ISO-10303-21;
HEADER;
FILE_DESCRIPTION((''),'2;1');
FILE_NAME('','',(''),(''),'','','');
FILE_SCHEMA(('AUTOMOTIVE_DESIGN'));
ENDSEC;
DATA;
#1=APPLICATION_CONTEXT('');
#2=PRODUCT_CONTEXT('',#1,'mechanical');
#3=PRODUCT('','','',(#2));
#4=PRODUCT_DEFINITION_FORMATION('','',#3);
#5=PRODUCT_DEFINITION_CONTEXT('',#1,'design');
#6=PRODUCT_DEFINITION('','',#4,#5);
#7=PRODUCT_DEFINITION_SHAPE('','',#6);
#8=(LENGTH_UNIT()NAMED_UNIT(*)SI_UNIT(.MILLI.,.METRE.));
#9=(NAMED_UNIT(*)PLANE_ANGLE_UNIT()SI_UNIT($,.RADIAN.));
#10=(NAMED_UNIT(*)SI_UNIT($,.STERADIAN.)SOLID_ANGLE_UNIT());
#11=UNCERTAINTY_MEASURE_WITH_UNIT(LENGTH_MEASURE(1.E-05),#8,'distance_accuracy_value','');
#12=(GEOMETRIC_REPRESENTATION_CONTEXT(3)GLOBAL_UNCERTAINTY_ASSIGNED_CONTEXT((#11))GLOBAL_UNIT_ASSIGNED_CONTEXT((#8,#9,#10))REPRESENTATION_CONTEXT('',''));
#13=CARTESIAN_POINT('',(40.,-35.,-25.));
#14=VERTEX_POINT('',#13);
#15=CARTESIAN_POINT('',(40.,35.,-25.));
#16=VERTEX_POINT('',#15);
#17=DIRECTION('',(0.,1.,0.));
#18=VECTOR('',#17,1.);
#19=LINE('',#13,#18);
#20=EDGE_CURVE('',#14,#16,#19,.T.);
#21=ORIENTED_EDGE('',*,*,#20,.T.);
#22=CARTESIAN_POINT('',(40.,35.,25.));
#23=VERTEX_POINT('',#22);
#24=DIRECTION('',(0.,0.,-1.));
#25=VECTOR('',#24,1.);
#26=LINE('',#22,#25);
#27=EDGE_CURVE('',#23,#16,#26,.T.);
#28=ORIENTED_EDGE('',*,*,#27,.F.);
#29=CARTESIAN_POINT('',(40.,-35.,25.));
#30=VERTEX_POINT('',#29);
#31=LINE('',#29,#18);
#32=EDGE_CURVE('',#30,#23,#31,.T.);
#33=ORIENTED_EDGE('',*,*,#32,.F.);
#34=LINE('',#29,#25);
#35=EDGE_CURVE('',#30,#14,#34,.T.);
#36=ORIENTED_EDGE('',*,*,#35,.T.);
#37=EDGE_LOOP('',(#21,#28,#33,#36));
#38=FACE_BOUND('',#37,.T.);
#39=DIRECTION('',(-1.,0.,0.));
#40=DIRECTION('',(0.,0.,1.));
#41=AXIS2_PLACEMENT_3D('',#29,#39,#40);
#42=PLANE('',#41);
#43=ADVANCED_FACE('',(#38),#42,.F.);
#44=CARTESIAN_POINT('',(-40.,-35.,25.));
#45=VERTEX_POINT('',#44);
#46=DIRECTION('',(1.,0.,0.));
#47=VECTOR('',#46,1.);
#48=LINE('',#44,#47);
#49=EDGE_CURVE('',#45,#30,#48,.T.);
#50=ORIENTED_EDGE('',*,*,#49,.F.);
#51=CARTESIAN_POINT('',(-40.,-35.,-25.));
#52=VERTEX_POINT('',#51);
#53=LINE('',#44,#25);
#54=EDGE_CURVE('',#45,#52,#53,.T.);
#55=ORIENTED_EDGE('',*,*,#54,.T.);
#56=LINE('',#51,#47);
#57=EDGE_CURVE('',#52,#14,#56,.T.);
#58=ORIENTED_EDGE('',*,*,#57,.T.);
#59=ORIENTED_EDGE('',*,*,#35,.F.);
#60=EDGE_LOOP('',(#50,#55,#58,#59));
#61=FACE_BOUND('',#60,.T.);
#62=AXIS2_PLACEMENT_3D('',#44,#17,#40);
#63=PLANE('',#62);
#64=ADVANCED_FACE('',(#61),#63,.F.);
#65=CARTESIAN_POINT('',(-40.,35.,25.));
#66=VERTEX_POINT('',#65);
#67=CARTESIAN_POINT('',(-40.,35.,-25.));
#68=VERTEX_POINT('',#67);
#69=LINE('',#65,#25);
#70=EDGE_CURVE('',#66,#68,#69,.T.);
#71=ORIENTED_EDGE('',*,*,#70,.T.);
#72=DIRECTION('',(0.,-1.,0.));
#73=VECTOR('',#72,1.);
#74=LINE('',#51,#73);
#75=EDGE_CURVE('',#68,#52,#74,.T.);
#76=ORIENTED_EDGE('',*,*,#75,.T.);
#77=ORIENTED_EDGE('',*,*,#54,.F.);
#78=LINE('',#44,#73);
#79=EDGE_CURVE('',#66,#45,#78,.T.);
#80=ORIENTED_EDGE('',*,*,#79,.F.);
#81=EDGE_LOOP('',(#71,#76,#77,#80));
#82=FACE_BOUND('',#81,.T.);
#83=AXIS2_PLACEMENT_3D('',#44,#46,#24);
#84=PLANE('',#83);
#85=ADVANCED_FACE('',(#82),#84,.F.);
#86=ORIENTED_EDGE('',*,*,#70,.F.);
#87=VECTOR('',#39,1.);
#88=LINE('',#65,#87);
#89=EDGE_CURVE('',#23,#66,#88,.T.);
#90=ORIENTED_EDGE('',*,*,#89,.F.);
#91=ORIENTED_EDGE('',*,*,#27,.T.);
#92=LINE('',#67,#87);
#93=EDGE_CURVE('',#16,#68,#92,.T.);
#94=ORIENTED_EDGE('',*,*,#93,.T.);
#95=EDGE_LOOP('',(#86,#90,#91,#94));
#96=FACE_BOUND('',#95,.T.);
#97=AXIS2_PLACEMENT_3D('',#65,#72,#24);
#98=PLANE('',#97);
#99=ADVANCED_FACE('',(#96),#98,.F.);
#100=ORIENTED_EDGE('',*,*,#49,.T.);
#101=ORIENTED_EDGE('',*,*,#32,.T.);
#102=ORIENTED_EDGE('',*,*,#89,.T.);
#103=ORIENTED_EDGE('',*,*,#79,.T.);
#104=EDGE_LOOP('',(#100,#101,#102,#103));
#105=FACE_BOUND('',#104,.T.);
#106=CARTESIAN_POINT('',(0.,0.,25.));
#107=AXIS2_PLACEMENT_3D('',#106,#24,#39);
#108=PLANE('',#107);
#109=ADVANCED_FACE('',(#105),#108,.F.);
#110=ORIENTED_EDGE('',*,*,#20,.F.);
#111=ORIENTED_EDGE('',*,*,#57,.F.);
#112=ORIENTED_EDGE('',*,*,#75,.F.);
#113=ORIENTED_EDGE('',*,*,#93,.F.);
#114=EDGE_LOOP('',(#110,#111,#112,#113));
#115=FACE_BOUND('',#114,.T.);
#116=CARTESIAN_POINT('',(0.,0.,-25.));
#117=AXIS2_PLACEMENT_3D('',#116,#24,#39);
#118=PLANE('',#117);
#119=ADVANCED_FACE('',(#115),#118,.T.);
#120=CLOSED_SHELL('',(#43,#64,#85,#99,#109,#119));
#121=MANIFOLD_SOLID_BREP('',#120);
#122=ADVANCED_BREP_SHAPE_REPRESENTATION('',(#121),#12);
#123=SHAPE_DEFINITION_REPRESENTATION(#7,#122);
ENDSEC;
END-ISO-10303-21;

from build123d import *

# Parameters (mm, degrees)
SKETCH_1_W      = 80
SKETCH_1_H      = 70
EXTRUDE_1_DEPTH = 25


with BuildPart() as part:
    # Эскиз1 → Бобышка-Вытянуть1 (new body, symmetric)
    with BuildSketch(Plane.XY):
        Rectangle(SKETCH_1_W, SKETCH_1_H)
    extrude(amount=EXTRUDE_1_DEPTH, both=True)


solid = part.part
